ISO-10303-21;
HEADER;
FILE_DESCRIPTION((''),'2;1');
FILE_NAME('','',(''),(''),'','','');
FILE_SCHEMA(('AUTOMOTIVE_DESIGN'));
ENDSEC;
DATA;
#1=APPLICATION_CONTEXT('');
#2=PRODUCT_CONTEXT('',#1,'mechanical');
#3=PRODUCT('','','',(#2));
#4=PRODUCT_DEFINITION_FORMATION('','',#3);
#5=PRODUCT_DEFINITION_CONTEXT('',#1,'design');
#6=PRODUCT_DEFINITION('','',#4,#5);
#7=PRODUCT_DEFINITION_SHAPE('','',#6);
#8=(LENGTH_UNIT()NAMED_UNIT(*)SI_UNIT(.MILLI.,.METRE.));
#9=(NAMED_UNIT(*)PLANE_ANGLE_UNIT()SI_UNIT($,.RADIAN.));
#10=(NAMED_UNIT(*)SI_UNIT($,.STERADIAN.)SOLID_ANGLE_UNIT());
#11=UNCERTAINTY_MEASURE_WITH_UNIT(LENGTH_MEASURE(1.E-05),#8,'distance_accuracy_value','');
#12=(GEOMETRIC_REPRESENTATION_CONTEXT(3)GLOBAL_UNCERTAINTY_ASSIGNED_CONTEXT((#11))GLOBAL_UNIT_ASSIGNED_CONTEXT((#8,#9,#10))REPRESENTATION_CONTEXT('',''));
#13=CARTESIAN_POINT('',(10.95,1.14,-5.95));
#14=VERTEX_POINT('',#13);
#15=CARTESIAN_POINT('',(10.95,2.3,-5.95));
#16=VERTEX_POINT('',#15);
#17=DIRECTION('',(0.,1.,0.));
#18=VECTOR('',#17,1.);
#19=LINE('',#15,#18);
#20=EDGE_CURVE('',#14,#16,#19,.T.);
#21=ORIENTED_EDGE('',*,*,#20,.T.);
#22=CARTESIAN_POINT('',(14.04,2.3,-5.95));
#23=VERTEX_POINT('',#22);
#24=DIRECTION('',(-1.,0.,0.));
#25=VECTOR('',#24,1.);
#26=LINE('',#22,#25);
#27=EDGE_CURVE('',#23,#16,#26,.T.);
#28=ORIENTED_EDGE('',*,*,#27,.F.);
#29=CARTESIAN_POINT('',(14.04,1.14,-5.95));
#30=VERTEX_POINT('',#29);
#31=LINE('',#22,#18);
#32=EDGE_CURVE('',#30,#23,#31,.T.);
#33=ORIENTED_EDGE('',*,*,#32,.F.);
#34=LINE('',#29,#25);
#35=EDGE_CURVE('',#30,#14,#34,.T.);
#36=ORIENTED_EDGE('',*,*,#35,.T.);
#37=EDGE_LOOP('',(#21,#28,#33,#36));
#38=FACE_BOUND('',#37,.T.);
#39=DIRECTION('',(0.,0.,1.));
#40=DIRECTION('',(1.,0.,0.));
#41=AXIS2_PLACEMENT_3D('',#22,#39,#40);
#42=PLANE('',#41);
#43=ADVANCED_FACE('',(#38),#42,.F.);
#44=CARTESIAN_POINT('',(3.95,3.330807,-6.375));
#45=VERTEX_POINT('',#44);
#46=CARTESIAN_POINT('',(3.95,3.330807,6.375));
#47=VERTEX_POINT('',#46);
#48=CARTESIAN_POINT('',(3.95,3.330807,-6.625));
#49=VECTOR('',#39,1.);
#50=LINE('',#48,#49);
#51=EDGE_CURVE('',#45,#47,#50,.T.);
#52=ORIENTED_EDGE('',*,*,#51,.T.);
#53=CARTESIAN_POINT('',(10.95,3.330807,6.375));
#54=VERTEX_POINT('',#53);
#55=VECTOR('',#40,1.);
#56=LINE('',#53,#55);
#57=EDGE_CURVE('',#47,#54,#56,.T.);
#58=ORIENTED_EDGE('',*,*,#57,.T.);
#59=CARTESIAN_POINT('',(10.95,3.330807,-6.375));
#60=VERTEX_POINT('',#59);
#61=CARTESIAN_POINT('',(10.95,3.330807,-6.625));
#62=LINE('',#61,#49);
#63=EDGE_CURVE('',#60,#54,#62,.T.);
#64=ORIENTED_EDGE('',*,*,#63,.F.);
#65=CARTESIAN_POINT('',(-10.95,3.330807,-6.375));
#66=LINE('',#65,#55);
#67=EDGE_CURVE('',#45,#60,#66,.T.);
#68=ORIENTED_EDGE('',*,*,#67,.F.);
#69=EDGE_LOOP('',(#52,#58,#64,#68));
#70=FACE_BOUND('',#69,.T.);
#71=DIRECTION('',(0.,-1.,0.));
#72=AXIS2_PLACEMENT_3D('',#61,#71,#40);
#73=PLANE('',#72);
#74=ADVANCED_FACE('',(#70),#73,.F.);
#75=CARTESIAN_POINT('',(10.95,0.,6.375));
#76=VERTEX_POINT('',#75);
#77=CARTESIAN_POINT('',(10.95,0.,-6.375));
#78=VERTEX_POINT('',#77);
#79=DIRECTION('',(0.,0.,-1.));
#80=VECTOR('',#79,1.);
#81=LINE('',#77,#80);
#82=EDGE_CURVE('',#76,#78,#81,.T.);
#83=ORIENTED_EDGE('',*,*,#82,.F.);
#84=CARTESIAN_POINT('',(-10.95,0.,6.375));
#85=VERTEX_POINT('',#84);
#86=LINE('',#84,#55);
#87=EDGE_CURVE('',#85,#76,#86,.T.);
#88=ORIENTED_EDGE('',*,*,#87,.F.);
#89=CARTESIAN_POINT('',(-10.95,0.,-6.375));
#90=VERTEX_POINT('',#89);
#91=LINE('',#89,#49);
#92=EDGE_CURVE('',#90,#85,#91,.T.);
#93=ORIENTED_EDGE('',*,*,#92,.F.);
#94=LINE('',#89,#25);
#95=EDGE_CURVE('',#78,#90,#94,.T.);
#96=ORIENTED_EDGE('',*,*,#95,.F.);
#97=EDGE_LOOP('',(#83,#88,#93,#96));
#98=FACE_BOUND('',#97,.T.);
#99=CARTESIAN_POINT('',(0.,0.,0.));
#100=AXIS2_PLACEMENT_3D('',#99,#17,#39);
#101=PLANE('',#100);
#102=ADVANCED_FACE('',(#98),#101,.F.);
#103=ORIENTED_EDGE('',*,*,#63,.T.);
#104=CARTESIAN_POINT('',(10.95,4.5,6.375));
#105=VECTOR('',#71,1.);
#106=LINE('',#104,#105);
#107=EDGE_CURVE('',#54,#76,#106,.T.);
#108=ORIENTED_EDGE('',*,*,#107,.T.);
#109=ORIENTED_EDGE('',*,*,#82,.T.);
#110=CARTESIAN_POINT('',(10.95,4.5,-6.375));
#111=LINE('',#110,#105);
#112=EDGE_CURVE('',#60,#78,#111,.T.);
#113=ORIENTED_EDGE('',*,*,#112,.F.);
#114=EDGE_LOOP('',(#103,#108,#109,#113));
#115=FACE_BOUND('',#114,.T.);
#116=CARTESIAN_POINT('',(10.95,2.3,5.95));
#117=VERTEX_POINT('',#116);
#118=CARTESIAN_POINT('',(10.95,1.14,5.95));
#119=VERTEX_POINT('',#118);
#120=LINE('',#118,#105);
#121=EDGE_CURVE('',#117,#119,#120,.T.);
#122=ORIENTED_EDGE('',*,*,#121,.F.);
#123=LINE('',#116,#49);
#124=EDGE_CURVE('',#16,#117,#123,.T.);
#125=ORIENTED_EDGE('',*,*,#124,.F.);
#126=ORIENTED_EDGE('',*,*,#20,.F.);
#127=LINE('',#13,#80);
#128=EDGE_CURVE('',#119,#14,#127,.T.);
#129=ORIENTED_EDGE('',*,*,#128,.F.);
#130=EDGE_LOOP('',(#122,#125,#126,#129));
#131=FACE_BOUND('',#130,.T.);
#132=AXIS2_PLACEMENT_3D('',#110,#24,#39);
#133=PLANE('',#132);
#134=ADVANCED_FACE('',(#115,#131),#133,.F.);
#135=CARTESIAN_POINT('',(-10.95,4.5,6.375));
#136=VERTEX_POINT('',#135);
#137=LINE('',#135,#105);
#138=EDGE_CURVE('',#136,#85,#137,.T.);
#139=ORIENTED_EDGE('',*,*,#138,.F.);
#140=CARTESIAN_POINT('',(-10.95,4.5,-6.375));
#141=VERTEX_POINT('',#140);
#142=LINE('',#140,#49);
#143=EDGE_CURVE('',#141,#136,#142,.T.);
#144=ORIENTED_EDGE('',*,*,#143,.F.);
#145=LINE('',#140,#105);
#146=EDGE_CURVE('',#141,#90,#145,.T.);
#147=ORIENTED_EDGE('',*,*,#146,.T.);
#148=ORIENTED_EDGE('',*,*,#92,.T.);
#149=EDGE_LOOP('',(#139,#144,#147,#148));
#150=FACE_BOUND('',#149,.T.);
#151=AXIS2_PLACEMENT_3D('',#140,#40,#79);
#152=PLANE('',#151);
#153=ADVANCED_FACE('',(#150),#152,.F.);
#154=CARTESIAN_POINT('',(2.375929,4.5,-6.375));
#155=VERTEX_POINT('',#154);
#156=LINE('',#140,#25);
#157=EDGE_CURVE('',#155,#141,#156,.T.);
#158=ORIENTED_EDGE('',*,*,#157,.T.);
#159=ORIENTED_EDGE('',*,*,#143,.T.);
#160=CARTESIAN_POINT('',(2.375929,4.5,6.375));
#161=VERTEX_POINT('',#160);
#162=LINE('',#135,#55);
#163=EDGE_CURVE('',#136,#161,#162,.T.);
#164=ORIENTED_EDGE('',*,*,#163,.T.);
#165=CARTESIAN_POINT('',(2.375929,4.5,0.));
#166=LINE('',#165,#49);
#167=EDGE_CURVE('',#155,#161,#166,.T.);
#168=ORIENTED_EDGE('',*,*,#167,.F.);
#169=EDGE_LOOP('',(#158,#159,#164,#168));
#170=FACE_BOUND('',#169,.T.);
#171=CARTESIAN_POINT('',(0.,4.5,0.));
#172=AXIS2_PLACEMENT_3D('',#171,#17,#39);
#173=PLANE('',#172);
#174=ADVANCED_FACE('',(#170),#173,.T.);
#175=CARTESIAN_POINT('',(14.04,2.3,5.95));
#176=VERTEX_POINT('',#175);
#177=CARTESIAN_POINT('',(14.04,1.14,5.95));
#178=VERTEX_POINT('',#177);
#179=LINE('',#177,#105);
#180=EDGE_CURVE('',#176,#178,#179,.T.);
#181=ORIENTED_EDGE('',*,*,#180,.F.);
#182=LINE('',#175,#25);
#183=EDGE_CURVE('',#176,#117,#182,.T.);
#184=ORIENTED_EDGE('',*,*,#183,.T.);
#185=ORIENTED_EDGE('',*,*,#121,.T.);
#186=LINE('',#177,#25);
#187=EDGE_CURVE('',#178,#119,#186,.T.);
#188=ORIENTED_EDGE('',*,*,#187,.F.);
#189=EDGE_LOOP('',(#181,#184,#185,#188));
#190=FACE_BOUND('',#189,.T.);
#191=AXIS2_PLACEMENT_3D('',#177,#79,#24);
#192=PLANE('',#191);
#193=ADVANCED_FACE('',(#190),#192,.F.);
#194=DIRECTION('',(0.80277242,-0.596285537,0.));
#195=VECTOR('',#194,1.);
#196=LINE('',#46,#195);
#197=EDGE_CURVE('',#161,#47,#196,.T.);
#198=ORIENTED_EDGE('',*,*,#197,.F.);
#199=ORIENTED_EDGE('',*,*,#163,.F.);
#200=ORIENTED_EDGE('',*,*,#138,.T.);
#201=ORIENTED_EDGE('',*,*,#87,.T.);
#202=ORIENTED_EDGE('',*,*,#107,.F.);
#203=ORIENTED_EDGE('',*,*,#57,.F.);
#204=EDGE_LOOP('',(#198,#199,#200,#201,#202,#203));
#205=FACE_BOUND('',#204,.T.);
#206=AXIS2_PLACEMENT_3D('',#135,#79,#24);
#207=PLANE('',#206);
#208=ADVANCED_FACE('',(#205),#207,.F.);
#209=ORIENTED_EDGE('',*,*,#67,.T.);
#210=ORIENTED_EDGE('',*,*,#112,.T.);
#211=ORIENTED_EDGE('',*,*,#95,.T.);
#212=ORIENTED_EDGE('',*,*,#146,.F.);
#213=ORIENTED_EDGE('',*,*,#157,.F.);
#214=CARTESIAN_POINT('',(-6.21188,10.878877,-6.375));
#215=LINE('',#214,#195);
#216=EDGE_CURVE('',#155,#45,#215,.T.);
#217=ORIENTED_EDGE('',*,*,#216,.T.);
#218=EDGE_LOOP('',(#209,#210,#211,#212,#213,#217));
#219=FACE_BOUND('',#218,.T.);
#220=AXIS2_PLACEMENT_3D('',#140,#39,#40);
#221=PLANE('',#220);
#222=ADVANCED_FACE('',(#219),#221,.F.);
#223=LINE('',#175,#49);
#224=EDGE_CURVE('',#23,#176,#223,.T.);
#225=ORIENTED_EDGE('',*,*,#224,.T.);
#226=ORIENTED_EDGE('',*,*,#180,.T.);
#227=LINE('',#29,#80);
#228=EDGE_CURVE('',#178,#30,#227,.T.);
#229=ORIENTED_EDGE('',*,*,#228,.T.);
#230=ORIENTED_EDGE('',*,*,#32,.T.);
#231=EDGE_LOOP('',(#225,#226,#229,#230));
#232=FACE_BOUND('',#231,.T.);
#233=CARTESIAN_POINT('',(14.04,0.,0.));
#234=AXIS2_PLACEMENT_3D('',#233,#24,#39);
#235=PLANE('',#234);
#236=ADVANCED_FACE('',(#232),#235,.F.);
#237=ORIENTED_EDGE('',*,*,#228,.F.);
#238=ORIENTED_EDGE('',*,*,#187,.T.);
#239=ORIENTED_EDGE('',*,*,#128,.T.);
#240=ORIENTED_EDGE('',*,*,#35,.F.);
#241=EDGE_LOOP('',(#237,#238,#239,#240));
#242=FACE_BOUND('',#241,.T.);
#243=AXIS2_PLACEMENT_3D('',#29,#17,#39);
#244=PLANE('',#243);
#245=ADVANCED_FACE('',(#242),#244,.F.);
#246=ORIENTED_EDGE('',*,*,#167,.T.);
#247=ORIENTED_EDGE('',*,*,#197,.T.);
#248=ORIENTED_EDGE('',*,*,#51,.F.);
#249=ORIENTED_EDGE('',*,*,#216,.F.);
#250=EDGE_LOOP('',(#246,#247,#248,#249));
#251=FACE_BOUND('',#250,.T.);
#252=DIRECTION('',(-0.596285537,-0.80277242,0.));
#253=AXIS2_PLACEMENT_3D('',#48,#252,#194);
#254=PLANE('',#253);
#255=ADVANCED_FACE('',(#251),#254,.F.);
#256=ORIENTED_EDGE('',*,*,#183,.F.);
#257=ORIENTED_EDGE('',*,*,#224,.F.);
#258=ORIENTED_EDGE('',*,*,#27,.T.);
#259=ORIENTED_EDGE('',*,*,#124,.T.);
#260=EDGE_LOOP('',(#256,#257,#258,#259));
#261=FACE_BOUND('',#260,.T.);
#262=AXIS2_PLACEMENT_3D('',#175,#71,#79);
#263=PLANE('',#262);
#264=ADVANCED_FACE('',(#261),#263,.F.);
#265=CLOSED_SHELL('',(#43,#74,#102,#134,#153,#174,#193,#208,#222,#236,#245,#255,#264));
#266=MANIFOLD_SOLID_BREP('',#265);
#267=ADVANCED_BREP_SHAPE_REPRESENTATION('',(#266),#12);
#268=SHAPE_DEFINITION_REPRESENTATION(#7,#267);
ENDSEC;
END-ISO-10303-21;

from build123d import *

# Parameters (mm, degrees)
SKETCH1_W           = 21.9
SKETCH1_H           = 12.75
BOSS_EXTRUDE1_DEPTH = 4.5
SKETCH3_W           = 11.9
SKETCH3_H           = 1.16
BOSS_EXTRUDE2_DEPTH = 3.09
CUT_EXTRUDE1_DEPTH  = 13


with BuildPart() as part:
    # Sketch1 → Boss-Extrude1 (new body)
    with BuildSketch(Plane(origin=(0, 0, 0), x_dir=(1, 0, 0), z_dir=(0, 1, 0))):
        Rectangle(SKETCH1_W, SKETCH1_H)
    extrude(amount=BOSS_EXTRUDE1_DEPTH)

    # Sketch3 → Boss-Extrude2 (add)
    with BuildSketch(Plane(origin=(10.95, 0, 0), x_dir=(0, 0, -1), z_dir=(1, 0, 0))):
        with Locations((0, 1.72)):
            Rectangle(SKETCH3_W, SKETCH3_H)
    extrude(amount=BOSS_EXTRUDE2_DEPTH)

    # Sketch4 → Cut-Extrude1 (cut)
    with BuildSketch(Plane.XY.offset(6.375)):
        Polygon((10.95, 3.330806811), (3.95, 3.330806811), (2.375928538, 4.5), (10.95, 4.5), align=None)
    extrude(amount=-CUT_EXTRUDE1_DEPTH, mode=Mode.SUBTRACT)


solid = part.part
